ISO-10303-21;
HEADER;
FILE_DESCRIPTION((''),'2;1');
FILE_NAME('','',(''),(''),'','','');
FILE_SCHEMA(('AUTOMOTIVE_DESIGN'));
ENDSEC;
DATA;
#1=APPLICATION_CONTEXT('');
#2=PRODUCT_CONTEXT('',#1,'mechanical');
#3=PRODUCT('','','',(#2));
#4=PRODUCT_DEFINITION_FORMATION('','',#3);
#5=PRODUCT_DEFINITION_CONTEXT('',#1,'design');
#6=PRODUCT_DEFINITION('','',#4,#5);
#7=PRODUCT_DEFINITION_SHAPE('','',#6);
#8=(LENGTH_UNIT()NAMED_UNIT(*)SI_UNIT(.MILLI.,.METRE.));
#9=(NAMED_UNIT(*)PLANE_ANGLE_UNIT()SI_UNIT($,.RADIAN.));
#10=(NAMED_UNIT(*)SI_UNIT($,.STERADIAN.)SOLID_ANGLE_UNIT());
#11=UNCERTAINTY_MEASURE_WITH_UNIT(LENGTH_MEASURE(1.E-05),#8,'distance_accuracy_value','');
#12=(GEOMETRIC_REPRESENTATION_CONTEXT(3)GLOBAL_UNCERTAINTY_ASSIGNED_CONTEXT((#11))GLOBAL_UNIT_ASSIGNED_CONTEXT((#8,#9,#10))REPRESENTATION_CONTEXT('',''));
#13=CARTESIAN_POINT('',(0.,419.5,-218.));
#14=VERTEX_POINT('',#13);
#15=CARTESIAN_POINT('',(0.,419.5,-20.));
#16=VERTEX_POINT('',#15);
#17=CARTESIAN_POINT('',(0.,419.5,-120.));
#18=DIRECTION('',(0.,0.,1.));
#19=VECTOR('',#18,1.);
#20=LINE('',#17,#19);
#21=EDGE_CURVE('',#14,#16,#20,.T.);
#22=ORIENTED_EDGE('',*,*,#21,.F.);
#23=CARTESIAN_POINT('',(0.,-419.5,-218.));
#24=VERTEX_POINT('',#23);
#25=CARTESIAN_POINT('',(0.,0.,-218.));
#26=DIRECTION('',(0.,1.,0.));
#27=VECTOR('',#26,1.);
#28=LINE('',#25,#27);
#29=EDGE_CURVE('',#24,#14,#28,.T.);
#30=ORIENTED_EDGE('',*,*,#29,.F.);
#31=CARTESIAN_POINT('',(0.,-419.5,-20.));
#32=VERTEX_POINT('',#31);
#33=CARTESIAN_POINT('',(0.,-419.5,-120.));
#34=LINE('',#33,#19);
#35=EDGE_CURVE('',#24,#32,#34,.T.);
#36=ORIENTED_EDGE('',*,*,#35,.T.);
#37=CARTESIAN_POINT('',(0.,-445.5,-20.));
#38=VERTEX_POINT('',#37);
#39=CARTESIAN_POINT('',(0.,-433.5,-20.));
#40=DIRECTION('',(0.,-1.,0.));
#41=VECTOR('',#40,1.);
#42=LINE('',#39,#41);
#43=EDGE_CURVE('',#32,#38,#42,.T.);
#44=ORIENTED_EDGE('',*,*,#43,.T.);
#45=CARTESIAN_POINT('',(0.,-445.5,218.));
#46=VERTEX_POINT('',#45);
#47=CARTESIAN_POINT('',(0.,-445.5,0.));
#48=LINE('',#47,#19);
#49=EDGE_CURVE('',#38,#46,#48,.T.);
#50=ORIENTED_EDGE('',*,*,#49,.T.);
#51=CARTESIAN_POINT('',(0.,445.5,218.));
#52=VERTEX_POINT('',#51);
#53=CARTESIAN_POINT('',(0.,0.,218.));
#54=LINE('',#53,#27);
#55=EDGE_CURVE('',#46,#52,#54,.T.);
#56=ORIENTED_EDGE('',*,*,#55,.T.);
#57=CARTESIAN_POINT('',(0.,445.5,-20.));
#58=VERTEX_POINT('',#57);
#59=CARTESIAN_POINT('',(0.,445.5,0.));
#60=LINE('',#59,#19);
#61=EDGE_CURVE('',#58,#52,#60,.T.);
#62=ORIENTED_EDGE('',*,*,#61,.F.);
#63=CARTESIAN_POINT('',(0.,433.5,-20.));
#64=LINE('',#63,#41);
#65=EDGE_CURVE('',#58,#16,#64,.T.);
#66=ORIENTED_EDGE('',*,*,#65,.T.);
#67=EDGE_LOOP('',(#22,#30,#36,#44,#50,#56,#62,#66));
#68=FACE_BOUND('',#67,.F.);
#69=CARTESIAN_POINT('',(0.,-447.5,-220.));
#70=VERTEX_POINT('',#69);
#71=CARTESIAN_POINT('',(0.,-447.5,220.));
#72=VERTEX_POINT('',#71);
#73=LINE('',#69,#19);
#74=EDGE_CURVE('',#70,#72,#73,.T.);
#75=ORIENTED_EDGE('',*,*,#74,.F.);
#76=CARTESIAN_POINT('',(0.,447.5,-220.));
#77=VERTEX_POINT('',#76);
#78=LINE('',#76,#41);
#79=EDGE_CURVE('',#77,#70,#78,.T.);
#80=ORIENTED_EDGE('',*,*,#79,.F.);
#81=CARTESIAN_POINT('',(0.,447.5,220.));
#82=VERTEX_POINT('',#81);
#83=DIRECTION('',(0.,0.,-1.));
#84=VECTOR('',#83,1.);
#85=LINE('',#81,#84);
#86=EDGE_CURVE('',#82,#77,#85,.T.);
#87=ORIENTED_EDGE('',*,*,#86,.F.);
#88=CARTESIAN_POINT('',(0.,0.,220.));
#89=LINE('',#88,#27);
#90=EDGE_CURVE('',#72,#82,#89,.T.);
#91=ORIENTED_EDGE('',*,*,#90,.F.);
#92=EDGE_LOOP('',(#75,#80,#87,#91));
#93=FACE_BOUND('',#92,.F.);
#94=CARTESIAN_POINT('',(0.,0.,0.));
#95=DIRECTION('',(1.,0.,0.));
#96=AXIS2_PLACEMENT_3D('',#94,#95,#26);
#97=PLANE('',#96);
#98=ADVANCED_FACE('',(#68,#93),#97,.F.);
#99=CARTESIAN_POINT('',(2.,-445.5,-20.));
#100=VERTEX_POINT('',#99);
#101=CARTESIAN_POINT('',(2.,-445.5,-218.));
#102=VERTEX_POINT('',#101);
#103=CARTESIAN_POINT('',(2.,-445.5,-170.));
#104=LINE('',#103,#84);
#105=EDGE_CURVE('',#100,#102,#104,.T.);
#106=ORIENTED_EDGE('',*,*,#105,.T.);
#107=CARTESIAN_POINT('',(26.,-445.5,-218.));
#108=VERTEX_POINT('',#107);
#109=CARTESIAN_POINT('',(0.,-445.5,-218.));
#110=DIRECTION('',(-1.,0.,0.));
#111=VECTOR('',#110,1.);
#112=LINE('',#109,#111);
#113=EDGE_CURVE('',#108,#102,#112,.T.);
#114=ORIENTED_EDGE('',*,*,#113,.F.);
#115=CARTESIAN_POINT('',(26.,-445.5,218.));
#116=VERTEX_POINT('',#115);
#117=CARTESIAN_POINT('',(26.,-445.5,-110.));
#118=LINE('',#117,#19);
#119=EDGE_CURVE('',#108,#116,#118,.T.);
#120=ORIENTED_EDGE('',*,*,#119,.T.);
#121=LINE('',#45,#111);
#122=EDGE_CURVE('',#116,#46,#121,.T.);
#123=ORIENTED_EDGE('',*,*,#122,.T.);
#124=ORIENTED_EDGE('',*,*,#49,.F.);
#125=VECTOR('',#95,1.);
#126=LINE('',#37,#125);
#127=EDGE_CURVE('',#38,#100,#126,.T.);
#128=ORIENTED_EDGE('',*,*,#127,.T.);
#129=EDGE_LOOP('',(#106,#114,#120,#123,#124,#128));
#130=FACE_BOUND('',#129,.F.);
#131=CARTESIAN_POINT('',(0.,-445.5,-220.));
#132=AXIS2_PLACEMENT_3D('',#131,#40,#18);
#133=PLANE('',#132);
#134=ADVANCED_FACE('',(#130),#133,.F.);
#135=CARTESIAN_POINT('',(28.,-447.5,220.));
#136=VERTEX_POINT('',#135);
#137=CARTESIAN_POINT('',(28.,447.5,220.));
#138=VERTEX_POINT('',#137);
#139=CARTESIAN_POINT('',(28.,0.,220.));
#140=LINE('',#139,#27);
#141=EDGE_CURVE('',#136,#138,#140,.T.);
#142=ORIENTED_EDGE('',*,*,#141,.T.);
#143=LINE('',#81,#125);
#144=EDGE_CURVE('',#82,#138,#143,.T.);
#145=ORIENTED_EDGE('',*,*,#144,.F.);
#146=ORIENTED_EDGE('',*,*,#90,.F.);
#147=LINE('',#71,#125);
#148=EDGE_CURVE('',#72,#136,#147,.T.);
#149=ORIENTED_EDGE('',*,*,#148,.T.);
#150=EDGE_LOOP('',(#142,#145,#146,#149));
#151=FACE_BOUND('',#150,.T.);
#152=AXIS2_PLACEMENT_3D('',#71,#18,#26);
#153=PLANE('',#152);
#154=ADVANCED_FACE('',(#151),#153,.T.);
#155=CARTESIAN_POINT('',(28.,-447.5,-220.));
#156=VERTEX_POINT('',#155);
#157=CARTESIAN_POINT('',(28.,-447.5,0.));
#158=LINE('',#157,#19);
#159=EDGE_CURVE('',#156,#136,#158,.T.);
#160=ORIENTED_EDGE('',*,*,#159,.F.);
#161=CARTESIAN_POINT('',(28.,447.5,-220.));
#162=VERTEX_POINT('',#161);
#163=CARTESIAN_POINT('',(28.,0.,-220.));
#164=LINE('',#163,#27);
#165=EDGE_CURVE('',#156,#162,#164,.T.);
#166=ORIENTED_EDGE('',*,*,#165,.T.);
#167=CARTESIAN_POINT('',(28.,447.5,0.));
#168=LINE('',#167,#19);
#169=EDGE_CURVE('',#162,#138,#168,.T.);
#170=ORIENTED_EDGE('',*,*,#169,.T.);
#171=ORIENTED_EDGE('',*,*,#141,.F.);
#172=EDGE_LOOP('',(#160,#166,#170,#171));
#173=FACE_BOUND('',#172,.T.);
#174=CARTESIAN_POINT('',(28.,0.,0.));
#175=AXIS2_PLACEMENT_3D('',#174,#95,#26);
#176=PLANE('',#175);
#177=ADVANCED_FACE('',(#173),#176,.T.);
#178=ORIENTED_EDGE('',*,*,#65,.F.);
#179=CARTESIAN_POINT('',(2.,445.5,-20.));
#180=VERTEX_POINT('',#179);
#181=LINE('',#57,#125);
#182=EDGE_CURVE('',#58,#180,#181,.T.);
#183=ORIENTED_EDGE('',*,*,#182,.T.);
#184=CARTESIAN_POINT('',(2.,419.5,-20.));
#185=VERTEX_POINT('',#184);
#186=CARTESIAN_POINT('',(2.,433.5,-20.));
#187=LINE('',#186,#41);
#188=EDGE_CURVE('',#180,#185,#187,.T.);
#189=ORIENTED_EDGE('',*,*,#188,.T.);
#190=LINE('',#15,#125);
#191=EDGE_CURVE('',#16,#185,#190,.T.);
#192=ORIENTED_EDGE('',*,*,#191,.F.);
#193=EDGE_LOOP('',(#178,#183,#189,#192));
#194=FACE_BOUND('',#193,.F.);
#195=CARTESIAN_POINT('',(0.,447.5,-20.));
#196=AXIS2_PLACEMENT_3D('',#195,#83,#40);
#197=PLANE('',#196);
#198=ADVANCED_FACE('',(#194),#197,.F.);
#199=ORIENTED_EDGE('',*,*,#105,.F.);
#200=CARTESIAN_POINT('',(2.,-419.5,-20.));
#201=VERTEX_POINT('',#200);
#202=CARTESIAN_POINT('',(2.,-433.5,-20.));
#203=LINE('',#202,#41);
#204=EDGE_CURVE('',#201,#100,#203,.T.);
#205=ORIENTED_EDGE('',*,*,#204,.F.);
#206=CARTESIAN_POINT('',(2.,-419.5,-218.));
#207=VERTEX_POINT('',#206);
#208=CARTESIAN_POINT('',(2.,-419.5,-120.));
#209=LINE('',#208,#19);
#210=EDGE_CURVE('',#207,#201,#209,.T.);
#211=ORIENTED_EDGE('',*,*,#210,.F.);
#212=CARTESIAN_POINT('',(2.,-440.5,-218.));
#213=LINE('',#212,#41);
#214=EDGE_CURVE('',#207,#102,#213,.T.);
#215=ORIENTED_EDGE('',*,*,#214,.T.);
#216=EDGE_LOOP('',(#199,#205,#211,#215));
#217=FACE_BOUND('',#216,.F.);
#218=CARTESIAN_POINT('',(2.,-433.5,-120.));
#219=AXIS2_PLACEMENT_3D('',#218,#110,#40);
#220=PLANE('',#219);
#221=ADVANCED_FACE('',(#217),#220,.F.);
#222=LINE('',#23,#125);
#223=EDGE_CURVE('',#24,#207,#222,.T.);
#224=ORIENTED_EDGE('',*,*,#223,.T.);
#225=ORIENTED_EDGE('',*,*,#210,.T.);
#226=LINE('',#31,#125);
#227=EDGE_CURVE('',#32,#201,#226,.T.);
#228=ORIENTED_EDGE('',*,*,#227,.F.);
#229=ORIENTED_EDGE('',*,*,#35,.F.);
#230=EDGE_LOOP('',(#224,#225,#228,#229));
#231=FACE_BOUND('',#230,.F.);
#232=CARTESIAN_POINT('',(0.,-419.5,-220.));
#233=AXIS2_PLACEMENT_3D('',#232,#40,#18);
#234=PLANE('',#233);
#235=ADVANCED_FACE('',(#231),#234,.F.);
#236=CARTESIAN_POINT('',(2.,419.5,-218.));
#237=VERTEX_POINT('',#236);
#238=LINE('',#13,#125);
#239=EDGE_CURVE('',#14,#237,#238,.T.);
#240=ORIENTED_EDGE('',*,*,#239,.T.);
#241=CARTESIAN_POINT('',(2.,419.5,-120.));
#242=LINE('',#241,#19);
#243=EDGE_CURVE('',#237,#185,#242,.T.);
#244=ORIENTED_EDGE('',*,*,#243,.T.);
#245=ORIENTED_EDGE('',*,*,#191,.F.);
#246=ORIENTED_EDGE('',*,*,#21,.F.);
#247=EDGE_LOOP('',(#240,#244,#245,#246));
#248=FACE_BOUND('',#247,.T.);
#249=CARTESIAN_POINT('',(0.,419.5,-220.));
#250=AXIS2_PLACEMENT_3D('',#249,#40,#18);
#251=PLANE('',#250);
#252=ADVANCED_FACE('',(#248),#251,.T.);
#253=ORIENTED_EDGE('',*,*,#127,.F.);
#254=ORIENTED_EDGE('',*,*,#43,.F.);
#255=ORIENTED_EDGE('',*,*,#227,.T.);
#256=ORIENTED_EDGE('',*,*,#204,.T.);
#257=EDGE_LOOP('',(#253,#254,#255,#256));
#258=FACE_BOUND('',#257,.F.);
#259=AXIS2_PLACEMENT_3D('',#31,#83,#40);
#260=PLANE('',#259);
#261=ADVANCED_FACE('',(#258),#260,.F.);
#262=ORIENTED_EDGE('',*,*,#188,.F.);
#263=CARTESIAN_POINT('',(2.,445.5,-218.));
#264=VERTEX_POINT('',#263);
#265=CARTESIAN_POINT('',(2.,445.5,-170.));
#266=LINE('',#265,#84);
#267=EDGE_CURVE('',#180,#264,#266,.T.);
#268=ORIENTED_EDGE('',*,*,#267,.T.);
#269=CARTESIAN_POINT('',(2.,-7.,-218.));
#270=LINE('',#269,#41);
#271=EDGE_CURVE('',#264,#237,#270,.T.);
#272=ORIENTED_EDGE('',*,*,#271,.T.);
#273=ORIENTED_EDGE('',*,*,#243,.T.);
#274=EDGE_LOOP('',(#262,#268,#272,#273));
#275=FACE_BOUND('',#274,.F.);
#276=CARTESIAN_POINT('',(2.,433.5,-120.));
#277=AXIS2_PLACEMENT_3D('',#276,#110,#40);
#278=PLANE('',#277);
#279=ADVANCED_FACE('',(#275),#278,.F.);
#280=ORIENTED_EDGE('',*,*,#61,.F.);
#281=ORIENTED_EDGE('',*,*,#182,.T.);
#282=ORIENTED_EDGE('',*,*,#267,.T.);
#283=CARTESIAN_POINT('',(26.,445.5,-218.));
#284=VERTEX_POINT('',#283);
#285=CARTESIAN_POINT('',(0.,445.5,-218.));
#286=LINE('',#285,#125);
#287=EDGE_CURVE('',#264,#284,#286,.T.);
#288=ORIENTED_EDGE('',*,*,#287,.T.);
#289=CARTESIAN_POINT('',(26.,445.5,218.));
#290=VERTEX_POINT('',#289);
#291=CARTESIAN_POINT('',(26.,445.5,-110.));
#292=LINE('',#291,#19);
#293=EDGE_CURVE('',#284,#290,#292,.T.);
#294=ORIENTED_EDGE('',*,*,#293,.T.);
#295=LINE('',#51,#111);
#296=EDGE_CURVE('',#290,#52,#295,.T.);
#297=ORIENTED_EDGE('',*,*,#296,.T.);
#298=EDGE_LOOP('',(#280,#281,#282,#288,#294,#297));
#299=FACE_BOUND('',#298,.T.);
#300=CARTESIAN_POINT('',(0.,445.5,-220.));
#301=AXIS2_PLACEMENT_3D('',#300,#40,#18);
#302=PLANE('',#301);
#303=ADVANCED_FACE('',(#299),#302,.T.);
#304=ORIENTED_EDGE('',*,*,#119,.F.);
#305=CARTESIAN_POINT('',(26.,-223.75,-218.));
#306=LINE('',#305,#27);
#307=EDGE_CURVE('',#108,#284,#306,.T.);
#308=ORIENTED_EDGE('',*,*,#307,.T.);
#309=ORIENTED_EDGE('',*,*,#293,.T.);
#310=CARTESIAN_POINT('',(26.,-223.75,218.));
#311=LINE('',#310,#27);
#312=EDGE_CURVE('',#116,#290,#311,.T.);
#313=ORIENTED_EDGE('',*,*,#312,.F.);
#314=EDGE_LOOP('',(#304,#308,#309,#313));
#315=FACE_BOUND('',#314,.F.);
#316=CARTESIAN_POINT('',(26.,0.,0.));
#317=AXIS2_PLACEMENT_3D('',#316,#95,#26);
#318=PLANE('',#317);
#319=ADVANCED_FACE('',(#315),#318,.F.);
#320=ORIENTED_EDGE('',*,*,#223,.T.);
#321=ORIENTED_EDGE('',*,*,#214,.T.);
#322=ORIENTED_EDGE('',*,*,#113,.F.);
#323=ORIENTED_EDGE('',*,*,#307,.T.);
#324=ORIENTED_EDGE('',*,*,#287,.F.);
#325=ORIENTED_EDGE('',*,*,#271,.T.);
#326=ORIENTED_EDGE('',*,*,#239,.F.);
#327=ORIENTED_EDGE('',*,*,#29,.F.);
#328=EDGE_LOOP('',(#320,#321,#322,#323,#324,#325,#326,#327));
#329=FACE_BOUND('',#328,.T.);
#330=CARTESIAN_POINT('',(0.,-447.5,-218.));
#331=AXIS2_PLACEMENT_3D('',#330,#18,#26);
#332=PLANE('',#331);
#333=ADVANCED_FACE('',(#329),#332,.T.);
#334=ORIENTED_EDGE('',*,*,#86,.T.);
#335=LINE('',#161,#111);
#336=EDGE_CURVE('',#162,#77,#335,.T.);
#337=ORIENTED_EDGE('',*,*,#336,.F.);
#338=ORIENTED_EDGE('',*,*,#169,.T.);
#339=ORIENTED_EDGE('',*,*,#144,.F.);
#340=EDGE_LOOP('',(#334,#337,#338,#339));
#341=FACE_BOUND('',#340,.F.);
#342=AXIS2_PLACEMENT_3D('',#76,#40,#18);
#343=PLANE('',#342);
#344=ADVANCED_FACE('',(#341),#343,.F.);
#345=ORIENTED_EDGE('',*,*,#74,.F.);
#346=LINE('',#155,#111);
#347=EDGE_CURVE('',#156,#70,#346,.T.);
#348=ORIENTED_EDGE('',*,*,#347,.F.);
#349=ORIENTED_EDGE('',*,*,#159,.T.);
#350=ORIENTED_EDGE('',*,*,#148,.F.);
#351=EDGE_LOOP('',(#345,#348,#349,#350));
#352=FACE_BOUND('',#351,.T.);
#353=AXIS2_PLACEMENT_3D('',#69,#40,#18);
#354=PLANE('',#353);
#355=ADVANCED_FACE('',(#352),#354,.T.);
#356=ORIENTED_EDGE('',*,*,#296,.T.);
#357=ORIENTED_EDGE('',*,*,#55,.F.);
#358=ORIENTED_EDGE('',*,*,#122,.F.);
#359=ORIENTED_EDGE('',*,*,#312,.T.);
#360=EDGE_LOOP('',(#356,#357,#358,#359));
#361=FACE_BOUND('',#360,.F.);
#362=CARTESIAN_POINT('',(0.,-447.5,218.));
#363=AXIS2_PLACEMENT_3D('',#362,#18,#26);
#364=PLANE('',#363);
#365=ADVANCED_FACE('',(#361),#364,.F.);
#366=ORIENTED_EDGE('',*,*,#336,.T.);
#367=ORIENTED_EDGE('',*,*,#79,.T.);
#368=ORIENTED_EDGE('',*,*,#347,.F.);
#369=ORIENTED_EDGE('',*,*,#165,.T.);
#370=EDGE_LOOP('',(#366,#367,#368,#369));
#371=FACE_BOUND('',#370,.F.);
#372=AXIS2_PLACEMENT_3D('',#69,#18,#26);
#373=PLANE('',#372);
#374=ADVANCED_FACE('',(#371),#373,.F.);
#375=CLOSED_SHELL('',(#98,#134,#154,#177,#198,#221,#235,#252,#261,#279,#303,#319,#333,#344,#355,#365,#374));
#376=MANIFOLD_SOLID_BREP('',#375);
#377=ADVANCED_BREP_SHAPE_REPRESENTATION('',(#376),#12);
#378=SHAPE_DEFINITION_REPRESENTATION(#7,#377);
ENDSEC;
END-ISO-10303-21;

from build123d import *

# Parameters (mm, degrees)
F0_W     = 895
F0_H     = 440
F1_DEPTH = 28
F2_T     = -2
F4_W     = 28
F4_H     = 200
F5_DEPTH = 2


with BuildPart() as f1:
    # F0 (on Right) → F1 (new body)
    with BuildSketch(Plane.YZ):
        Rectangle(F0_W, F0_H)
    extrude(amount=F1_DEPTH)

    # F2
    f2_openings = [f1.faces().sort_by_distance(p)[0] for p in [
        (0, 0, 0),
    ]]
    offset(amount=F2_T, openings=f2_openings)

    # F4 (on face) → F5 (join)
    with BuildSketch(Plane(origin=(0, 0, 0), x_dir=(0, -1, 0), z_dir=(-1, 0, 0))):
        with Locations((-433.5, -120)):
            Rectangle(F4_W, F4_H)
        with Locations((433.5, -120)):
            Rectangle(F4_W, F4_H)
    extrude(amount=-F5_DEPTH)


solid = f1.part
